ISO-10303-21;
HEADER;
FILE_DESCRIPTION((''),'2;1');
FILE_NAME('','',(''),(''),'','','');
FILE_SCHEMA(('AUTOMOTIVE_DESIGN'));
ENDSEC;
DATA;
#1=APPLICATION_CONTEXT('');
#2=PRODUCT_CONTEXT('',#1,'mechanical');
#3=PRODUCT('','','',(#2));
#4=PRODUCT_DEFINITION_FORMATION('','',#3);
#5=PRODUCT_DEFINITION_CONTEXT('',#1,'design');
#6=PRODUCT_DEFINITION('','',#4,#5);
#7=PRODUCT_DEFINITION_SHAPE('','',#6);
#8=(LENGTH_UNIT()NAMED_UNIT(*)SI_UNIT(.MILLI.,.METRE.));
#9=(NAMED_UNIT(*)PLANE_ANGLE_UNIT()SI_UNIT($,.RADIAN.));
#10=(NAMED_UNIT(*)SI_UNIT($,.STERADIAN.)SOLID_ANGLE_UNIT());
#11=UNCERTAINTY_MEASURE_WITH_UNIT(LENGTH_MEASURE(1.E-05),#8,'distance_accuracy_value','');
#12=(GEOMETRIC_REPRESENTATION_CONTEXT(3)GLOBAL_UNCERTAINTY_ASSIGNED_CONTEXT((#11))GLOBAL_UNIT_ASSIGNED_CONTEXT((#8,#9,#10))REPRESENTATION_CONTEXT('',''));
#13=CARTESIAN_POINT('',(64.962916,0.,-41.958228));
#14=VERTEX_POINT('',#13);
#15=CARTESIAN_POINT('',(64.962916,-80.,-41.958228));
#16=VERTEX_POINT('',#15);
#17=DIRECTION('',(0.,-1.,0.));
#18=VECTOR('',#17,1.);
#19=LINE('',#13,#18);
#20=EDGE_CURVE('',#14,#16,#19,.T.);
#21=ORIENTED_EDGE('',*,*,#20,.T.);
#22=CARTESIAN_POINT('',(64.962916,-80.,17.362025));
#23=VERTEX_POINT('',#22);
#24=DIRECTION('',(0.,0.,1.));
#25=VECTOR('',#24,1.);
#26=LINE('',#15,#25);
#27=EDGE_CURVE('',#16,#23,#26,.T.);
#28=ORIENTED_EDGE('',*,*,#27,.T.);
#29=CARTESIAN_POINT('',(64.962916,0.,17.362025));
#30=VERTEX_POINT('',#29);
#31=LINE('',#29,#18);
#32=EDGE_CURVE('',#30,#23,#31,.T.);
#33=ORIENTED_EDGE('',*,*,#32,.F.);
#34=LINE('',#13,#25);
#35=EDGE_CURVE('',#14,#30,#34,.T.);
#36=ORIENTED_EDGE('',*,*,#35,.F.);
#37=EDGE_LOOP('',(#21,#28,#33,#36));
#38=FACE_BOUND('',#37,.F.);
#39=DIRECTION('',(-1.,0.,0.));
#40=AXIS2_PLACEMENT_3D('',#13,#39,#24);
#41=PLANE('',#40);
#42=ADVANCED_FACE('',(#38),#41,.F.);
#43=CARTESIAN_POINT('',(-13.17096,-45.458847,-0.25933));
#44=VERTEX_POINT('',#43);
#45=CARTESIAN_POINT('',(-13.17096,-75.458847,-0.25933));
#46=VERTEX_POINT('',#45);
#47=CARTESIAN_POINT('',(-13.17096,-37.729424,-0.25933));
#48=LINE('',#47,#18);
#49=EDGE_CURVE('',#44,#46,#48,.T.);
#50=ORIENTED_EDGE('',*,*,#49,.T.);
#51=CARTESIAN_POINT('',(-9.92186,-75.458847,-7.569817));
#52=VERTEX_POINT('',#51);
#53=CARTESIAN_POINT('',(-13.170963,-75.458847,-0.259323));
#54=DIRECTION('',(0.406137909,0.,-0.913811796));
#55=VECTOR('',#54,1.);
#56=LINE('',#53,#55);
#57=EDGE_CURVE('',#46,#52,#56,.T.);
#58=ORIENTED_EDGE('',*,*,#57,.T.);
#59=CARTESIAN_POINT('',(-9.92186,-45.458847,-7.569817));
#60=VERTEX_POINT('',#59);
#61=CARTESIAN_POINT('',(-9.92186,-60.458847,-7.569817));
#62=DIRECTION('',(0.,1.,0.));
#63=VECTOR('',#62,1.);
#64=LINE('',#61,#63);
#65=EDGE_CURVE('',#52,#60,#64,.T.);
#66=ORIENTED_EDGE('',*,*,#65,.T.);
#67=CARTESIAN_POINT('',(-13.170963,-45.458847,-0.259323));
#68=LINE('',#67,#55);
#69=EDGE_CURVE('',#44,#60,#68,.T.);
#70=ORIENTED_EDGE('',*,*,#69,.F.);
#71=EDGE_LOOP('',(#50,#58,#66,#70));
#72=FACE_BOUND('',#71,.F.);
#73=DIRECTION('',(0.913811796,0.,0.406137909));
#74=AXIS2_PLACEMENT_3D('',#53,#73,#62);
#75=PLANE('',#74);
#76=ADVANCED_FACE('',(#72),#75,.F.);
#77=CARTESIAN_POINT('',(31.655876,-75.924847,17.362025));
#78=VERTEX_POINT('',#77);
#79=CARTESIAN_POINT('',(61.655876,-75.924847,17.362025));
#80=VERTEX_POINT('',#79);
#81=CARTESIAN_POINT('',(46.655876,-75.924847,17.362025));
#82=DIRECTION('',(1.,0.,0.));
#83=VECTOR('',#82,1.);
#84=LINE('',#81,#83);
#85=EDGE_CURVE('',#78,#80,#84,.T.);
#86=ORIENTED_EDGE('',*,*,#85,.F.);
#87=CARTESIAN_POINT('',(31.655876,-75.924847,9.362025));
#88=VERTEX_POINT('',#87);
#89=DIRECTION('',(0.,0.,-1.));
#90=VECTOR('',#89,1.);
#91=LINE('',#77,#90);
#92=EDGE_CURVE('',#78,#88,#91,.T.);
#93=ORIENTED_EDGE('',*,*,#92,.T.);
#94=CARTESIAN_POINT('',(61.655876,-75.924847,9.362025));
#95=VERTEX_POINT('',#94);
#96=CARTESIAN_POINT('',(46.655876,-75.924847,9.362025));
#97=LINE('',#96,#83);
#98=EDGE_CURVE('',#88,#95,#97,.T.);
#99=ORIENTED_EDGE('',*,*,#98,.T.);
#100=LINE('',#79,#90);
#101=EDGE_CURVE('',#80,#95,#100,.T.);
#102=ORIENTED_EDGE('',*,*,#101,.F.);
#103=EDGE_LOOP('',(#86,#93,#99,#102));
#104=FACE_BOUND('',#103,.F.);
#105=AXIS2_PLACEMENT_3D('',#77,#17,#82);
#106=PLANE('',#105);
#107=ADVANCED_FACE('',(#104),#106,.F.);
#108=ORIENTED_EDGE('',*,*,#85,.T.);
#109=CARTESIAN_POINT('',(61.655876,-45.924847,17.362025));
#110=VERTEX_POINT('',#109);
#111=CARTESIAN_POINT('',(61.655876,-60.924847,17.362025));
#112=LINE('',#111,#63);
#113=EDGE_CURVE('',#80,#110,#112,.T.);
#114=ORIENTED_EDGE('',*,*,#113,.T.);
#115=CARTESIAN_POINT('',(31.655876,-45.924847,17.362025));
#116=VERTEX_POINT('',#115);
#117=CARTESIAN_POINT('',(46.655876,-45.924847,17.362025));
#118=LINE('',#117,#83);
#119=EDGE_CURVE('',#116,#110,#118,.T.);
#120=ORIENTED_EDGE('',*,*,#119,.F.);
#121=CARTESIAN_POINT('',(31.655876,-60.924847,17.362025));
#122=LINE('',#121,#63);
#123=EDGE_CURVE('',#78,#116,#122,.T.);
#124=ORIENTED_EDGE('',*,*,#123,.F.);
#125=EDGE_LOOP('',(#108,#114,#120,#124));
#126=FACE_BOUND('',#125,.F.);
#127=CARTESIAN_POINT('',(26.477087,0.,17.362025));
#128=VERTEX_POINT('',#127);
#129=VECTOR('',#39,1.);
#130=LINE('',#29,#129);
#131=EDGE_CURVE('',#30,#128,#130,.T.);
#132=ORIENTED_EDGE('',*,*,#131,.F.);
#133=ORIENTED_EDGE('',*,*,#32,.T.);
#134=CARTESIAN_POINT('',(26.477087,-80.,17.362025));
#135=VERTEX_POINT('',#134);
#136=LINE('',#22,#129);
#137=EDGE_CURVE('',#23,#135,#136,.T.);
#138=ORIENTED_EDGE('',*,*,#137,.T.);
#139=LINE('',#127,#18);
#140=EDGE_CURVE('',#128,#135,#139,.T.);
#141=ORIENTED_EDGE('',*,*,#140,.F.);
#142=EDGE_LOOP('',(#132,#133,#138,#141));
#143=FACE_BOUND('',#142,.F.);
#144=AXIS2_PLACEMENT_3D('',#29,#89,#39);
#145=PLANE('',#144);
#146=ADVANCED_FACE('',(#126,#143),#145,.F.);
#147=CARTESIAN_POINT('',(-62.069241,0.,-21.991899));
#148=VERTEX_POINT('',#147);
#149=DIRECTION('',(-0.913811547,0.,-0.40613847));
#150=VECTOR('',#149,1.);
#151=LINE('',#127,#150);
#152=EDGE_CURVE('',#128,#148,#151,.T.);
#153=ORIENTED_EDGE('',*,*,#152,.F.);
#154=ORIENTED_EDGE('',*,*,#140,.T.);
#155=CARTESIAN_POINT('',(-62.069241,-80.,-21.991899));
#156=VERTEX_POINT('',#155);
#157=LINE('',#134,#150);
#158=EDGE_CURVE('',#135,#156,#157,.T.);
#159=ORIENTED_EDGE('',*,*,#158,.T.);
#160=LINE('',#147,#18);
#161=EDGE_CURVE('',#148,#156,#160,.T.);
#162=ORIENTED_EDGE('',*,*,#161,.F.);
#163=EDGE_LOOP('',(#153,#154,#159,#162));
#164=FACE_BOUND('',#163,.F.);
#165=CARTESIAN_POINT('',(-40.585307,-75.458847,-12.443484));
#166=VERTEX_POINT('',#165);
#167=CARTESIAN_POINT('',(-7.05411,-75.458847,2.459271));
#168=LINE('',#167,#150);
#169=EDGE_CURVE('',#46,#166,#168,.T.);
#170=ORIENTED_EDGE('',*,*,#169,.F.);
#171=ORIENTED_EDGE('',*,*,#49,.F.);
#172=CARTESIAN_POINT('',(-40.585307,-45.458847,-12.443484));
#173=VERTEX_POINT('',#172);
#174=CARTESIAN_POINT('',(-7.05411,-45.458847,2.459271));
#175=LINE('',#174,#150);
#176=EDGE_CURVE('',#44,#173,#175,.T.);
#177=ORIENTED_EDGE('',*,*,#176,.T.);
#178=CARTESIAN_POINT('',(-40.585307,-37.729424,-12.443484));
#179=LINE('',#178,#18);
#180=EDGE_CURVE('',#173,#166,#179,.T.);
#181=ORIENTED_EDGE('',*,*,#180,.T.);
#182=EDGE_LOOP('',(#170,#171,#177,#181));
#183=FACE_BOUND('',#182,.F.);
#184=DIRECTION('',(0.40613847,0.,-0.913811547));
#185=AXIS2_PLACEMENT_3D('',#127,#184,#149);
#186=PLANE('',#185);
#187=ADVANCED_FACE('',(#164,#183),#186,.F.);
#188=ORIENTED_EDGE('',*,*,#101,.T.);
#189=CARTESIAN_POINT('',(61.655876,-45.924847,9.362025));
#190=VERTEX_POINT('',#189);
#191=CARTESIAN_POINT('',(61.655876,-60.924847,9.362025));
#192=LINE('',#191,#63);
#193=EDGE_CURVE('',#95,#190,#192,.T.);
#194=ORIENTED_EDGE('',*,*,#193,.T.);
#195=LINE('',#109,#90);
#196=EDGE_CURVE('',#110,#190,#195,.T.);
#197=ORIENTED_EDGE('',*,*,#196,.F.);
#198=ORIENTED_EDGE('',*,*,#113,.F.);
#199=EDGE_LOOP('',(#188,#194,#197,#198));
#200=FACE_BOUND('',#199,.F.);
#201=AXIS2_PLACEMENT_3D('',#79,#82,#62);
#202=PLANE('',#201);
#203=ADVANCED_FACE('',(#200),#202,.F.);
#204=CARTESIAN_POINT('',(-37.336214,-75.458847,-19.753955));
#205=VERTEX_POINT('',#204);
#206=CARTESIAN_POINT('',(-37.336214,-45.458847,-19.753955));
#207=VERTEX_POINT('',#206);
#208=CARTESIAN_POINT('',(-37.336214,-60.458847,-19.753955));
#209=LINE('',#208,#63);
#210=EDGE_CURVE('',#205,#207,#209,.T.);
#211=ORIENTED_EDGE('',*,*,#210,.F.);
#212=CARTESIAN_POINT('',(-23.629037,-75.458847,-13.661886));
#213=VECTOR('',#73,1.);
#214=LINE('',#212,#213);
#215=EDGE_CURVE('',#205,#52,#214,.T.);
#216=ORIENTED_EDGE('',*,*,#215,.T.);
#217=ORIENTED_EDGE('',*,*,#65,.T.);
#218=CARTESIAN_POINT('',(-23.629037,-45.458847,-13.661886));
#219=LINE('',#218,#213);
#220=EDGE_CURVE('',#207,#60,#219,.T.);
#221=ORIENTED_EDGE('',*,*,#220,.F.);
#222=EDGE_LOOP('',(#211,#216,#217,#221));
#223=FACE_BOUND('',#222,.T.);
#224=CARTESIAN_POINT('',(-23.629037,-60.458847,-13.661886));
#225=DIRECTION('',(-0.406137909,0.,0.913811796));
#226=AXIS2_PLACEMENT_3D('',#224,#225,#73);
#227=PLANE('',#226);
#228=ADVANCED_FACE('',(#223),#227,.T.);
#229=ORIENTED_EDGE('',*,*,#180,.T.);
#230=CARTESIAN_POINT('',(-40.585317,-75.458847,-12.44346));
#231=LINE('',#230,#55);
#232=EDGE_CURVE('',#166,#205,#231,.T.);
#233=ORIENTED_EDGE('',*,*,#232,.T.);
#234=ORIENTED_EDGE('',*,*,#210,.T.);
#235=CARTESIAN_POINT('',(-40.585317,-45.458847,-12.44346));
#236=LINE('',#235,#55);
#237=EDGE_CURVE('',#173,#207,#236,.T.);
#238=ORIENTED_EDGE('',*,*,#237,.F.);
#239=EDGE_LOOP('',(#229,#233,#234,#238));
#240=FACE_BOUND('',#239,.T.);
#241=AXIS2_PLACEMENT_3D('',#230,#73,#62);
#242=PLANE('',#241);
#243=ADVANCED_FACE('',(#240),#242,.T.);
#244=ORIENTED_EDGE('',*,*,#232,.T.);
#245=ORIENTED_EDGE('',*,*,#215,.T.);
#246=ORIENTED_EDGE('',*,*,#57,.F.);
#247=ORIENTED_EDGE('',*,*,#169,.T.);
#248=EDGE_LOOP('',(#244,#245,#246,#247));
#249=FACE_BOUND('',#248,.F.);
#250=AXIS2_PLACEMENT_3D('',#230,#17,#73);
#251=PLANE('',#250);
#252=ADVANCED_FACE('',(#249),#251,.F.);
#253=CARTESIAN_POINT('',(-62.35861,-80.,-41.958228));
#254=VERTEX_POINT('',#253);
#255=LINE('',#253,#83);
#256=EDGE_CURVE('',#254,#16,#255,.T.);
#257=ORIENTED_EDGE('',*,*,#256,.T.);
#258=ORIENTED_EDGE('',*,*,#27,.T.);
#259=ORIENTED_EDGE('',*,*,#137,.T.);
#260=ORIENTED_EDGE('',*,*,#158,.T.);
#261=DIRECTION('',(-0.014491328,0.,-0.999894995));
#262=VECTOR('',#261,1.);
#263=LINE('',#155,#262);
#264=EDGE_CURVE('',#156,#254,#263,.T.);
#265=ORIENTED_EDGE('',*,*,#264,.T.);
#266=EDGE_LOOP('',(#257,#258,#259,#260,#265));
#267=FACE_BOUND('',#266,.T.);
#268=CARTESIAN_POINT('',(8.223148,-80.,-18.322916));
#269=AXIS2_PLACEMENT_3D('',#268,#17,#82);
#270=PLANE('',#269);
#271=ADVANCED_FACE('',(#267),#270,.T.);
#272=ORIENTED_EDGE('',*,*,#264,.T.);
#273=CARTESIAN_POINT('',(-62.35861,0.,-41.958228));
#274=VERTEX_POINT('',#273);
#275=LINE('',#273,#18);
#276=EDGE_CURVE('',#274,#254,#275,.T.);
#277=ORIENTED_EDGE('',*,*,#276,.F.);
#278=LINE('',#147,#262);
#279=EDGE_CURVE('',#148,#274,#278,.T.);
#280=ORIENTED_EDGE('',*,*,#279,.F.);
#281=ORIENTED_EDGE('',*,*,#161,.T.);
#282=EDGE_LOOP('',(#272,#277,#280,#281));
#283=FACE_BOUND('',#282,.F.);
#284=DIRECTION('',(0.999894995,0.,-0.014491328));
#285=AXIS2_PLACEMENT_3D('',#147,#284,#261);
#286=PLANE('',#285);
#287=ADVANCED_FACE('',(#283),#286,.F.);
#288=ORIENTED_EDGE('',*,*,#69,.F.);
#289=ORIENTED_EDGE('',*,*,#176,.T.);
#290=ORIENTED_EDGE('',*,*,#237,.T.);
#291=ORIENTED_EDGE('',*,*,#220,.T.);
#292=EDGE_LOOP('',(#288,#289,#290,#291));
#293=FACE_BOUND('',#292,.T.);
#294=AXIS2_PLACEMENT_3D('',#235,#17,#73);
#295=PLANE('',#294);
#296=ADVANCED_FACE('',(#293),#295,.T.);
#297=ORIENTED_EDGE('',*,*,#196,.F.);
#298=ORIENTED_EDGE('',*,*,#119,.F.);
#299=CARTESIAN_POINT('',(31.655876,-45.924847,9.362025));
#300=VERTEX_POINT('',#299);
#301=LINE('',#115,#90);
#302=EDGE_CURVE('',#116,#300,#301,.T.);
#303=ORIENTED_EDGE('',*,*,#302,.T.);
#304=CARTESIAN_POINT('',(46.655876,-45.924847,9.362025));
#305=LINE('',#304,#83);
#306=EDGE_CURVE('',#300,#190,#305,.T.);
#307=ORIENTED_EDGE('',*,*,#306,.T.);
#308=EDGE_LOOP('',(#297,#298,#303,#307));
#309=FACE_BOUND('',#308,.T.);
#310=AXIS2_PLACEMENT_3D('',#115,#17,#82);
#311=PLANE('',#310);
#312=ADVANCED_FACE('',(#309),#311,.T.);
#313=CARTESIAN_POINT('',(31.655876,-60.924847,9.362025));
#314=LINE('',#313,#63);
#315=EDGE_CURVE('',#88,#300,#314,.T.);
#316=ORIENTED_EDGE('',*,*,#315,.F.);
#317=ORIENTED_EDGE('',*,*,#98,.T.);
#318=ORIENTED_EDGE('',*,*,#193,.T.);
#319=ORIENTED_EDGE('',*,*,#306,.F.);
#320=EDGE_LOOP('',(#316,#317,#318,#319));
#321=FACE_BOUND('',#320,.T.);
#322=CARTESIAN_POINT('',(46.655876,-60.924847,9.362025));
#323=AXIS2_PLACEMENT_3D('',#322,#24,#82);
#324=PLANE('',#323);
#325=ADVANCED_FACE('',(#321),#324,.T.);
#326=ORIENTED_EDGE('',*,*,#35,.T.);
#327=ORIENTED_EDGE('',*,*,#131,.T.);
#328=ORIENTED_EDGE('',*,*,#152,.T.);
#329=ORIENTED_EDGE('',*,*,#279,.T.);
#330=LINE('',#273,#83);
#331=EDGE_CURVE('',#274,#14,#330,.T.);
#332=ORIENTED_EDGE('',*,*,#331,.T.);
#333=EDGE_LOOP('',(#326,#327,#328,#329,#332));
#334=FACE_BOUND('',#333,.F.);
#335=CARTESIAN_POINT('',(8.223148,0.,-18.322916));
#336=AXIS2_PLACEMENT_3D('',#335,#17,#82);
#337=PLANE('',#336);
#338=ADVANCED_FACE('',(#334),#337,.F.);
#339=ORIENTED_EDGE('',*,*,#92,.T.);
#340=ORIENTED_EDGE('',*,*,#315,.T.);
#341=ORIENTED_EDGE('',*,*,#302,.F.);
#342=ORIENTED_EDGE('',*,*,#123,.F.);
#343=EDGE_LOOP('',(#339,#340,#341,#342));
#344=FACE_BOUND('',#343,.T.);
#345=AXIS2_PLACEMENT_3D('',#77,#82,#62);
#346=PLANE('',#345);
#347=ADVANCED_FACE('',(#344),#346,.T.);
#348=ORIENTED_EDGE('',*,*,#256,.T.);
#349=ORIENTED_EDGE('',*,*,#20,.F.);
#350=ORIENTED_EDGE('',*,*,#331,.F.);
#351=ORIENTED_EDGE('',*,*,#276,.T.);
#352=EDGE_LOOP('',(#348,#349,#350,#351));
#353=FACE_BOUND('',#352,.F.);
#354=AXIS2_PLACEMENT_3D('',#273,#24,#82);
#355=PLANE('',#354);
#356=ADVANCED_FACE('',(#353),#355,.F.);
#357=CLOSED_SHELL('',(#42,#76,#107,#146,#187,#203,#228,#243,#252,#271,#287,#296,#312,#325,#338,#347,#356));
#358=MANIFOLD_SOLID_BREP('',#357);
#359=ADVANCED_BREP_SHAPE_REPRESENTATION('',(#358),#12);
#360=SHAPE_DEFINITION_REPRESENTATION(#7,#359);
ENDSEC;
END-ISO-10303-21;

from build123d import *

# Parameters (mm, degrees)
F1_DEPTH = 80
F2_W     = 30
F2_H     = 30
F3_DEPTH = 8
F4_W     = 30
F4_H     = 30
F5_DEPTH = 8


with BuildPart() as f1:
    # F0 (on Front) → F1 (new body)
    with BuildSketch(Plane.XZ):
        Polygon((-62.069241, -21.991899), (-62.35861, -41.958228), (64.962916, -41.958228), (64.962916, 17.362025), (26.477087, 17.362025), align=None)
    extrude(amount=F1_DEPTH)

    # F2 (on face) → F3 (cut)
    with BuildSketch(Plane.XY.offset(17.362025)):
        with Locations((46.655876, -60.924847)):
            Rectangle(F2_W, F2_H)
    extrude(amount=-F3_DEPTH, mode=Mode.SUBTRACT)

    # F4 (on face) → F5 (cut)
    with BuildSketch(Plane(origin=(-2.076283, 0, 4.671638), x_dir=(0.913812, 0, 0.406138), z_dir=(-0.406138, 0, 0.913812))):
        with Locations((-27.1411, -60.458847)):
            Rectangle(F4_W, F4_H)
    extrude(amount=-F5_DEPTH, mode=Mode.SUBTRACT)


solid = f1.part
